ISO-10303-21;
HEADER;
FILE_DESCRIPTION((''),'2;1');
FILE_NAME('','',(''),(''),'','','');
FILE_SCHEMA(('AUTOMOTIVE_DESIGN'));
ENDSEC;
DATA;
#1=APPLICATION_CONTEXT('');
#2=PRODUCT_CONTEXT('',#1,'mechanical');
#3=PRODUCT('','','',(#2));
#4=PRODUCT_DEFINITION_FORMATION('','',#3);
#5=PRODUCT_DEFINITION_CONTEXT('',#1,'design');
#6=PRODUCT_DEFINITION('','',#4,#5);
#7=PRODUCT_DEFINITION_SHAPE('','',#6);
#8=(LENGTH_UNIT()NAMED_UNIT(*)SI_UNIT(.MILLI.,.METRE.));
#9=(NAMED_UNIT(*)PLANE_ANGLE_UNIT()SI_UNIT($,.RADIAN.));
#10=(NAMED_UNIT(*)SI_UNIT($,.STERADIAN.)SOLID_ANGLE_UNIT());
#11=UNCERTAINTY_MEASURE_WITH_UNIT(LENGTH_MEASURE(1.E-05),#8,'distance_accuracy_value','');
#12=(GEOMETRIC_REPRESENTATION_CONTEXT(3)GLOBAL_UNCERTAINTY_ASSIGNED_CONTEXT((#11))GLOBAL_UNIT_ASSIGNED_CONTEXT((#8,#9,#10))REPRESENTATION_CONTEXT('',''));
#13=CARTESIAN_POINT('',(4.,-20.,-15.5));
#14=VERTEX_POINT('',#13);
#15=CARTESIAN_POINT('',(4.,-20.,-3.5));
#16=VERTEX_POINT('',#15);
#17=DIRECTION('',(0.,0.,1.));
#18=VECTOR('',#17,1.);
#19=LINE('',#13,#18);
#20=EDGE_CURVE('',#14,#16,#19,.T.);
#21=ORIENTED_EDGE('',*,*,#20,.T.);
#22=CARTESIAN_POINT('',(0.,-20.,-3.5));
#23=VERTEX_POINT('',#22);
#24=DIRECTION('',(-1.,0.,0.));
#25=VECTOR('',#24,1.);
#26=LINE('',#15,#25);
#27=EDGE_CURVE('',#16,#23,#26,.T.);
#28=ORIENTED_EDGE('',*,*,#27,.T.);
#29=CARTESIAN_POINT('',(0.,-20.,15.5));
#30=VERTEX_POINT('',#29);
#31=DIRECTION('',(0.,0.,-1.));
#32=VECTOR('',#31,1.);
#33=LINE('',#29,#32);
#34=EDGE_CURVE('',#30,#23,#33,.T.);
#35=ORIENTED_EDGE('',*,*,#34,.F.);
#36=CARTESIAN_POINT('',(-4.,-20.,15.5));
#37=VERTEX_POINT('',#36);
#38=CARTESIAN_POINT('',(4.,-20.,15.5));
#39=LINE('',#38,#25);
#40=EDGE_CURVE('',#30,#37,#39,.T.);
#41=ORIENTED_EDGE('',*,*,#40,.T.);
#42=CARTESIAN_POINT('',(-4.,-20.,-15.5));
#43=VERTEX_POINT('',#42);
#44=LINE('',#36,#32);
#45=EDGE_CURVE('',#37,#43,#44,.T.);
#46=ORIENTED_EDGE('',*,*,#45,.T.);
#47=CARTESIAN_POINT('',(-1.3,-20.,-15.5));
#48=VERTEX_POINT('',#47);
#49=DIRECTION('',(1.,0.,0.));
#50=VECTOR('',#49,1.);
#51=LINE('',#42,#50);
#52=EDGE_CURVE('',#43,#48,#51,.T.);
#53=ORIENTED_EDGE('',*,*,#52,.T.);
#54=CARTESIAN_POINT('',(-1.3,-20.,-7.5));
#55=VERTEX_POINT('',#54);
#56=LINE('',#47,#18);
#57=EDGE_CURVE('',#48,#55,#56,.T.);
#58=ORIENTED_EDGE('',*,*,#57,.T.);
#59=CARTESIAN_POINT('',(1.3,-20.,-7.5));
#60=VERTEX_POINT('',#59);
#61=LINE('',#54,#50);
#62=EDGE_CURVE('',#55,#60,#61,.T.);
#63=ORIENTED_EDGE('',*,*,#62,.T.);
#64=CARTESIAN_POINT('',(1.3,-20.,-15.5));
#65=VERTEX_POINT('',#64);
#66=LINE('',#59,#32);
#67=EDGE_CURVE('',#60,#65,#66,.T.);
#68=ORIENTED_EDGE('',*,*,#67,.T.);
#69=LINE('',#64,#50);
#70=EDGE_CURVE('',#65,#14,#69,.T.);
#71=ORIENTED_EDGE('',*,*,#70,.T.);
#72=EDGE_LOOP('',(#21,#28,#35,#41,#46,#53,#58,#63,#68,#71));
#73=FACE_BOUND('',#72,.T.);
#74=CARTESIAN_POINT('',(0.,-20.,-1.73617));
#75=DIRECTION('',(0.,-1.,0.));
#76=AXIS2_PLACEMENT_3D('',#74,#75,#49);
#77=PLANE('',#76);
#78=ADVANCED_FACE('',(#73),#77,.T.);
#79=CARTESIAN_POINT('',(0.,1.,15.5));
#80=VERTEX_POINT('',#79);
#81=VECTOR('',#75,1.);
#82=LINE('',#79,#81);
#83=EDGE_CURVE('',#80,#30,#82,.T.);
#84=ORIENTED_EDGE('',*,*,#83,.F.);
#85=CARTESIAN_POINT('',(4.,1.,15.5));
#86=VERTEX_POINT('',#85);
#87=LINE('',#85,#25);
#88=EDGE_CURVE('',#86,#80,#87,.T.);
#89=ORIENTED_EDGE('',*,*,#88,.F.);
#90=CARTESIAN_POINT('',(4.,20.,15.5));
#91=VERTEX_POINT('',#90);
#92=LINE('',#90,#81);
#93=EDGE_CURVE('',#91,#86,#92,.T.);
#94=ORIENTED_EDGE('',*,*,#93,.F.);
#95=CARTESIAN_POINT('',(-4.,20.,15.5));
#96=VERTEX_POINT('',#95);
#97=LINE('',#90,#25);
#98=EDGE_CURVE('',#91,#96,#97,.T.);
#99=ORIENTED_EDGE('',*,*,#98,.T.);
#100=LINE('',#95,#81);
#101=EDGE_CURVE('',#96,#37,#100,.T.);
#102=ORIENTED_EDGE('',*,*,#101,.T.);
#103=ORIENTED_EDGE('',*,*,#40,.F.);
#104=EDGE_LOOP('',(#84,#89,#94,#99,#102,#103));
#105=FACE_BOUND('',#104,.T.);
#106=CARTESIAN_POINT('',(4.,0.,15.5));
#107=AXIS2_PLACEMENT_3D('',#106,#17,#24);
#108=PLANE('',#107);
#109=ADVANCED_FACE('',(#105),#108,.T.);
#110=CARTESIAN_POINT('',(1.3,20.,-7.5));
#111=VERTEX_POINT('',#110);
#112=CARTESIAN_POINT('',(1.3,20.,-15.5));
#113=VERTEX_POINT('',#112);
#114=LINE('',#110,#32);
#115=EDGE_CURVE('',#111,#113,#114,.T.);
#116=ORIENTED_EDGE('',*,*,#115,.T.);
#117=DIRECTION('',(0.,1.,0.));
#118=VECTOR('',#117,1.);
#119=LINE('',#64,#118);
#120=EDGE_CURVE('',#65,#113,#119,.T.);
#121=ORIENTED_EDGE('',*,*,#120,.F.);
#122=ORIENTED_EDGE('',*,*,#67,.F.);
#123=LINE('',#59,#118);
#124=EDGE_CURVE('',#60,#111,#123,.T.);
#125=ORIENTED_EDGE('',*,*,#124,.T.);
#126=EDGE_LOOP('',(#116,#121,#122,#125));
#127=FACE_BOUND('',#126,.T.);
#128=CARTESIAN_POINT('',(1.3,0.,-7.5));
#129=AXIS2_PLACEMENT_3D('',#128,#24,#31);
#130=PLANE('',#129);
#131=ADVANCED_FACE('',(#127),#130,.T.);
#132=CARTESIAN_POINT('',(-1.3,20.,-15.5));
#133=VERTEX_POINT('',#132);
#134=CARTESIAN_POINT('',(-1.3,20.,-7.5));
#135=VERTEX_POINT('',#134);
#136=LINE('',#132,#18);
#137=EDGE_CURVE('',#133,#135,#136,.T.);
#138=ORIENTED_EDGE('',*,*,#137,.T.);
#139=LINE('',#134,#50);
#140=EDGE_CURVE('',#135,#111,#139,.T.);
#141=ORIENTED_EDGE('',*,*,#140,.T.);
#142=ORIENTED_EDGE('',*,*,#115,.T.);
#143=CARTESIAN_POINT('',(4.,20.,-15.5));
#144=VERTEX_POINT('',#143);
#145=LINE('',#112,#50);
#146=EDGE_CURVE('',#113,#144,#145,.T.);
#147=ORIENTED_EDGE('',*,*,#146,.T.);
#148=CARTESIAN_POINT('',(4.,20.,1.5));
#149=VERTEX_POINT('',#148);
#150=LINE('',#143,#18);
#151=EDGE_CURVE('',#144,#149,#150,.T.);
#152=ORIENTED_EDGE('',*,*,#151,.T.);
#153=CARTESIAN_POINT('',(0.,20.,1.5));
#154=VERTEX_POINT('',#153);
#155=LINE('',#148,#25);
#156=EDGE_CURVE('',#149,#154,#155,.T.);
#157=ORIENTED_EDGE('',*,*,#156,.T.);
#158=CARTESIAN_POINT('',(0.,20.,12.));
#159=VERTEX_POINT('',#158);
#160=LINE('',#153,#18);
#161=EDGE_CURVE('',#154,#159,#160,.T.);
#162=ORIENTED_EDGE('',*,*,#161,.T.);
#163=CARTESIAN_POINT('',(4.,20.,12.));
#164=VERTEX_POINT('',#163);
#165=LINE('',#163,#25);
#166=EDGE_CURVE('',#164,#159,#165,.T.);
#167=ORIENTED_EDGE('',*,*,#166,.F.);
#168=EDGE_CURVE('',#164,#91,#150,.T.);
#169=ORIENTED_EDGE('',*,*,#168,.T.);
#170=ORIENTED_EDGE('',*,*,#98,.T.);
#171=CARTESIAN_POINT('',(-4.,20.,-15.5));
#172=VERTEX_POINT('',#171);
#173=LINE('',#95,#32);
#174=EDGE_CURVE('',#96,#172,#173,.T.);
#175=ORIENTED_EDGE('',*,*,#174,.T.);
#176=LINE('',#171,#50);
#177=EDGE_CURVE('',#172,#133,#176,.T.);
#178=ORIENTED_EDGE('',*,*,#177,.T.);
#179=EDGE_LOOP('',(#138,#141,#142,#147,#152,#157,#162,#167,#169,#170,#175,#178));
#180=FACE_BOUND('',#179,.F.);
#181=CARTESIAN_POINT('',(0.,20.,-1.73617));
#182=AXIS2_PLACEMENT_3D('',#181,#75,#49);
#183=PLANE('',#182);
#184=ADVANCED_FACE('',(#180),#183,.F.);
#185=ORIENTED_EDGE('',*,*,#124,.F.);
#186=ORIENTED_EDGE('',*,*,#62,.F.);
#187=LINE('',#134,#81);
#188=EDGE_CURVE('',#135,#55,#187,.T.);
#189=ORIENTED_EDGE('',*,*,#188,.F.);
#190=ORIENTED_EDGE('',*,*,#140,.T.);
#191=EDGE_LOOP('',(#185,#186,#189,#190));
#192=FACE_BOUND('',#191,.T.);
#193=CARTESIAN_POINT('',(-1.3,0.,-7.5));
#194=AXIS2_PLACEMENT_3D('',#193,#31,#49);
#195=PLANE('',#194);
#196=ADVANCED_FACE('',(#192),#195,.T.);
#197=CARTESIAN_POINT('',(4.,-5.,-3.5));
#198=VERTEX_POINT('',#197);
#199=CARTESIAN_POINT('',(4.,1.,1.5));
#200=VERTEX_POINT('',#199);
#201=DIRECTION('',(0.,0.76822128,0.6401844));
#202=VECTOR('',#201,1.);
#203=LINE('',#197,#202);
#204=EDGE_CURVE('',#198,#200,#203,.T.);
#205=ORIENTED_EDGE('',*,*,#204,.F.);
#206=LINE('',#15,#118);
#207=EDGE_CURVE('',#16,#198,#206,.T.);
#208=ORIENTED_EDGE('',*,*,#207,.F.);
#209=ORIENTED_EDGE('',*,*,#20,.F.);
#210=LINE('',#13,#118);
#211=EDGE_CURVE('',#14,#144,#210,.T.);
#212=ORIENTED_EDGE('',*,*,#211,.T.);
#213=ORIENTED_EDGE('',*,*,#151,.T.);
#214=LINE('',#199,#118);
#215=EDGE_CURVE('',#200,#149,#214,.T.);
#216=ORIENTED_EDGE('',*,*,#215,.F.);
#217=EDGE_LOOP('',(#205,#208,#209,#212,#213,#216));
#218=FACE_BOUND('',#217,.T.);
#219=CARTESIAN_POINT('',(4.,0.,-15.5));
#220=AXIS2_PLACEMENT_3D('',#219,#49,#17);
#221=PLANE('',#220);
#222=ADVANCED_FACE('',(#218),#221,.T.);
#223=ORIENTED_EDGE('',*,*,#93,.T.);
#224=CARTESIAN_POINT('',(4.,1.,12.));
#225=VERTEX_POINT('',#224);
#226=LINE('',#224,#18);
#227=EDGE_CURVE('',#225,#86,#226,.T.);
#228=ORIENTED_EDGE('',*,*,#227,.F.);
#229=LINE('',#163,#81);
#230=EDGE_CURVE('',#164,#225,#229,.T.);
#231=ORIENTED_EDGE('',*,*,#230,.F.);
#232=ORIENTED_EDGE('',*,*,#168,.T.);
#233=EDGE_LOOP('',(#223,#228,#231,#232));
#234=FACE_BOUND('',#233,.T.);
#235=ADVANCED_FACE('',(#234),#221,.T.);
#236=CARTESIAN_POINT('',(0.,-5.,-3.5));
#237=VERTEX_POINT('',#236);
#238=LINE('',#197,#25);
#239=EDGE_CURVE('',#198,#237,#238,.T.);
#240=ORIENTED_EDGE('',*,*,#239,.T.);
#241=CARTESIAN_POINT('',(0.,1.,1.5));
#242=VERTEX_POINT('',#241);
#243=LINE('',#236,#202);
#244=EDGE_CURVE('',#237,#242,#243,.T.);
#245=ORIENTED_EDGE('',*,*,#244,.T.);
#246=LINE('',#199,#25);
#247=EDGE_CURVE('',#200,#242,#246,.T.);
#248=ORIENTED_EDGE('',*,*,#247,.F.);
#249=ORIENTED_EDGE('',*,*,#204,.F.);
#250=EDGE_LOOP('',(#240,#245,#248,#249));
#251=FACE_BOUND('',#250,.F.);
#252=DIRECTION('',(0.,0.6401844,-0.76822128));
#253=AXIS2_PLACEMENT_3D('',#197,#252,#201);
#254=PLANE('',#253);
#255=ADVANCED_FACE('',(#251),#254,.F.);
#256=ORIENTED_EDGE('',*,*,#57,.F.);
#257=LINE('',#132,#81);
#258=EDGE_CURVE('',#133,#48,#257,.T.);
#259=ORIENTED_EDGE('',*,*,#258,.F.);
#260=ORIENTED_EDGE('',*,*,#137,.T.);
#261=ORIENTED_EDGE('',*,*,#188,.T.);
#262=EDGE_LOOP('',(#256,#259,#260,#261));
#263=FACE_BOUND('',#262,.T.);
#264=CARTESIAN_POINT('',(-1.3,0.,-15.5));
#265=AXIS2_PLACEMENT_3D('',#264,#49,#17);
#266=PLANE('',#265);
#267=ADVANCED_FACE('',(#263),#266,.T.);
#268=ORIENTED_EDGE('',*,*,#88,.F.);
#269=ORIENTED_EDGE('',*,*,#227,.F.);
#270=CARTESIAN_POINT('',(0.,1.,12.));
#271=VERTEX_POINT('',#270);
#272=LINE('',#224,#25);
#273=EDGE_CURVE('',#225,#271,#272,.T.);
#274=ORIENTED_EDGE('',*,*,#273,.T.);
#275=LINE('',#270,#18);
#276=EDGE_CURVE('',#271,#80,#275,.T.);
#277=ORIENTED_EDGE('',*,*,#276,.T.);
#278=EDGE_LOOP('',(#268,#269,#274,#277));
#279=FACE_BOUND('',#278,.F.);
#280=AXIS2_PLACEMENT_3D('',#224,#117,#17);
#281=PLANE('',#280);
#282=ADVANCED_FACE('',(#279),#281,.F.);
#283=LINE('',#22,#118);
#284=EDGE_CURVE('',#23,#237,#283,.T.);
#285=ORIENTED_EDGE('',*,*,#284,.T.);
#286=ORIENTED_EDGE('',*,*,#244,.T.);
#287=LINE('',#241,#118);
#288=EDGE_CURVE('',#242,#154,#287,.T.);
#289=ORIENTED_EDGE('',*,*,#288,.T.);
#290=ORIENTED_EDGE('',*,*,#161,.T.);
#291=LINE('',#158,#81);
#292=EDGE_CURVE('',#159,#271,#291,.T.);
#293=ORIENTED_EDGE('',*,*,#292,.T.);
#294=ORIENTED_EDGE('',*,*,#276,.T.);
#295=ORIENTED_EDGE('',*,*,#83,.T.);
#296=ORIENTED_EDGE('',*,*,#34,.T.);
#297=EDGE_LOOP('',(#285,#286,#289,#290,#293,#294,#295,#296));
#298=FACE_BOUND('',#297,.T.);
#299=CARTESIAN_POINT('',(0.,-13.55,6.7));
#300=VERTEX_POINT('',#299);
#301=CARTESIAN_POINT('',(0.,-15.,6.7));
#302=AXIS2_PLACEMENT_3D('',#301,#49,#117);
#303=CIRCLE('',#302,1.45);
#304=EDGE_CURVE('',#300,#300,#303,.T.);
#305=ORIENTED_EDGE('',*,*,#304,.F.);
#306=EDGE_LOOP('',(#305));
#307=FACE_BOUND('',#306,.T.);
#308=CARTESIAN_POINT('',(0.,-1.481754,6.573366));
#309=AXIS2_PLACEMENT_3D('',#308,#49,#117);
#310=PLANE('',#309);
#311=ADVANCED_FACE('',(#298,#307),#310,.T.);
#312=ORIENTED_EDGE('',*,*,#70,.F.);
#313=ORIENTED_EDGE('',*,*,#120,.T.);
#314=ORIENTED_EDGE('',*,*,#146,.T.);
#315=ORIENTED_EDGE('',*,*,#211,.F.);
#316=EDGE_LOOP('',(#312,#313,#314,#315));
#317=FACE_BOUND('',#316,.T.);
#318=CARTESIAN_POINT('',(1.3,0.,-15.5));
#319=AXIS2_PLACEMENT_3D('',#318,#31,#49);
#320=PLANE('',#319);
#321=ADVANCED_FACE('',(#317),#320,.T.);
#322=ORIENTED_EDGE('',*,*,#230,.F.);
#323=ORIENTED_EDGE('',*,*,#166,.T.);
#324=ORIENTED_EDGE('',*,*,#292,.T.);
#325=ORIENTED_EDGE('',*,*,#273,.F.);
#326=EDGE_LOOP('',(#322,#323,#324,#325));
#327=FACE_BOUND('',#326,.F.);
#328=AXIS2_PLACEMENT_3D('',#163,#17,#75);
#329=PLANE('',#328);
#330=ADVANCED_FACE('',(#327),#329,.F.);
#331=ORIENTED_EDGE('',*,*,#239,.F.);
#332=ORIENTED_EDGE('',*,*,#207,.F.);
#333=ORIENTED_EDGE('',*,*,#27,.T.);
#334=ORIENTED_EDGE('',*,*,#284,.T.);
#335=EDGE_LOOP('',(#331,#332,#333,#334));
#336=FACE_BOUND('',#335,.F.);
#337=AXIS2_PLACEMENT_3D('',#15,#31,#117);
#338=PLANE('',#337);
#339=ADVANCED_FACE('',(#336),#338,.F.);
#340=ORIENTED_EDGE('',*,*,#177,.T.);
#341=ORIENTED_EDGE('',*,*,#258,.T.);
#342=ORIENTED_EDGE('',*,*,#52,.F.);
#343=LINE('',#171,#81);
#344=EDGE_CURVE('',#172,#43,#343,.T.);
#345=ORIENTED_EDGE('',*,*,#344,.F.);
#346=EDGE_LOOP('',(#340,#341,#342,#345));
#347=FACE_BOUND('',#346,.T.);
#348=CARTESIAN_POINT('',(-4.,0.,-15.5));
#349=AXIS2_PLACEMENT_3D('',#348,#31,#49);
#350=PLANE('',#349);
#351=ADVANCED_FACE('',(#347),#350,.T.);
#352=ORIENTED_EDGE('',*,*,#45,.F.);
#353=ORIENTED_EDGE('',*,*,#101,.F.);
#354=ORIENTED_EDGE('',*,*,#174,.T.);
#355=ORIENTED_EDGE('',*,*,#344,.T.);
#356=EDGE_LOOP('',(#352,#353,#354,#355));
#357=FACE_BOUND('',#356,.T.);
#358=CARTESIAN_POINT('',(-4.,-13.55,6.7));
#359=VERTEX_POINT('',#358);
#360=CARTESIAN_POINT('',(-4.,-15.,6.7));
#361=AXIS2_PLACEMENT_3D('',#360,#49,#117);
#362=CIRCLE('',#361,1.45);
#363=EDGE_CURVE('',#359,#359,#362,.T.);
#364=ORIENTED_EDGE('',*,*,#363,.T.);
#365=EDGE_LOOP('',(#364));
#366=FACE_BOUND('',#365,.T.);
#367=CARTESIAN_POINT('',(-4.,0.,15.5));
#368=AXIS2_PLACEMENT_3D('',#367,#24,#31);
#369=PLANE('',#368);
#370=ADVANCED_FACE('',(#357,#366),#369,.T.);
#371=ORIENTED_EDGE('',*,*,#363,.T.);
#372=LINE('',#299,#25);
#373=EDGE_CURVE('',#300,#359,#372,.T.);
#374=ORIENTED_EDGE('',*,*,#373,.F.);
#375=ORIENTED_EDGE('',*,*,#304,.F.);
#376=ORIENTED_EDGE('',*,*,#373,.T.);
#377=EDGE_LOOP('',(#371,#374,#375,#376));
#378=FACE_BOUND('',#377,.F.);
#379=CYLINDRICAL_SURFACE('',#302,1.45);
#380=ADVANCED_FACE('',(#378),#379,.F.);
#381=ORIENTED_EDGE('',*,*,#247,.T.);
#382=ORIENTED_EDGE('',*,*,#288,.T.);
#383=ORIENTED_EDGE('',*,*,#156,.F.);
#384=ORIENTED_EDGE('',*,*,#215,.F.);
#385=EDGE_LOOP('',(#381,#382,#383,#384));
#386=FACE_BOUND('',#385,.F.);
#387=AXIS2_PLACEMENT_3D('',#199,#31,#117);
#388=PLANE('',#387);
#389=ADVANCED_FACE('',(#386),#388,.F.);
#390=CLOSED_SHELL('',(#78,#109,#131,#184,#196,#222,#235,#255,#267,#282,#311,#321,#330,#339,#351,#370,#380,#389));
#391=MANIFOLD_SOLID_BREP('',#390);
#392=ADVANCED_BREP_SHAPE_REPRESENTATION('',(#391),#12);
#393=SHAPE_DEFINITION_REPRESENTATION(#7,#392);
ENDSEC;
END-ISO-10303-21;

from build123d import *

# Parameters (mm, degrees)
F1_DEPTH = 20
F3_DEPTH = 4
F4_R     = 1.45
F5_DEPTH = 25


with BuildPart() as f1:
    # F0 (on Front) → F1 (new body, symmetric)
    with BuildSketch(Plane.XZ):
        Polygon((4, -15.5), (4, 15.5), (-4, 15.5), (-4, -15.5), (-1.3, -15.5), (-1.3, -7.5), (1.3, -7.5), (1.3, -15.5), align=None)
    extrude(amount=F1_DEPTH, both=True)

    # F2 (on face) → F3 (cut, through all)
    with BuildSketch(Plane.YZ.offset(4)):
        Polygon((-20, 15.5), (-20, -3.5), (-5, -3.5), (1, 1.5), (20, 1.5), (20, 12), (1, 12), (1, 15.5), align=None)
    extrude(amount=-F3_DEPTH, mode=Mode.SUBTRACT)

    # F4 (on face) → F5 (cut)
    with BuildSketch(Plane.YZ):
        with Locations((-15, 6.7)):
            Circle(F4_R)
    extrude(amount=-F5_DEPTH, mode=Mode.SUBTRACT)


solid = f1.part
